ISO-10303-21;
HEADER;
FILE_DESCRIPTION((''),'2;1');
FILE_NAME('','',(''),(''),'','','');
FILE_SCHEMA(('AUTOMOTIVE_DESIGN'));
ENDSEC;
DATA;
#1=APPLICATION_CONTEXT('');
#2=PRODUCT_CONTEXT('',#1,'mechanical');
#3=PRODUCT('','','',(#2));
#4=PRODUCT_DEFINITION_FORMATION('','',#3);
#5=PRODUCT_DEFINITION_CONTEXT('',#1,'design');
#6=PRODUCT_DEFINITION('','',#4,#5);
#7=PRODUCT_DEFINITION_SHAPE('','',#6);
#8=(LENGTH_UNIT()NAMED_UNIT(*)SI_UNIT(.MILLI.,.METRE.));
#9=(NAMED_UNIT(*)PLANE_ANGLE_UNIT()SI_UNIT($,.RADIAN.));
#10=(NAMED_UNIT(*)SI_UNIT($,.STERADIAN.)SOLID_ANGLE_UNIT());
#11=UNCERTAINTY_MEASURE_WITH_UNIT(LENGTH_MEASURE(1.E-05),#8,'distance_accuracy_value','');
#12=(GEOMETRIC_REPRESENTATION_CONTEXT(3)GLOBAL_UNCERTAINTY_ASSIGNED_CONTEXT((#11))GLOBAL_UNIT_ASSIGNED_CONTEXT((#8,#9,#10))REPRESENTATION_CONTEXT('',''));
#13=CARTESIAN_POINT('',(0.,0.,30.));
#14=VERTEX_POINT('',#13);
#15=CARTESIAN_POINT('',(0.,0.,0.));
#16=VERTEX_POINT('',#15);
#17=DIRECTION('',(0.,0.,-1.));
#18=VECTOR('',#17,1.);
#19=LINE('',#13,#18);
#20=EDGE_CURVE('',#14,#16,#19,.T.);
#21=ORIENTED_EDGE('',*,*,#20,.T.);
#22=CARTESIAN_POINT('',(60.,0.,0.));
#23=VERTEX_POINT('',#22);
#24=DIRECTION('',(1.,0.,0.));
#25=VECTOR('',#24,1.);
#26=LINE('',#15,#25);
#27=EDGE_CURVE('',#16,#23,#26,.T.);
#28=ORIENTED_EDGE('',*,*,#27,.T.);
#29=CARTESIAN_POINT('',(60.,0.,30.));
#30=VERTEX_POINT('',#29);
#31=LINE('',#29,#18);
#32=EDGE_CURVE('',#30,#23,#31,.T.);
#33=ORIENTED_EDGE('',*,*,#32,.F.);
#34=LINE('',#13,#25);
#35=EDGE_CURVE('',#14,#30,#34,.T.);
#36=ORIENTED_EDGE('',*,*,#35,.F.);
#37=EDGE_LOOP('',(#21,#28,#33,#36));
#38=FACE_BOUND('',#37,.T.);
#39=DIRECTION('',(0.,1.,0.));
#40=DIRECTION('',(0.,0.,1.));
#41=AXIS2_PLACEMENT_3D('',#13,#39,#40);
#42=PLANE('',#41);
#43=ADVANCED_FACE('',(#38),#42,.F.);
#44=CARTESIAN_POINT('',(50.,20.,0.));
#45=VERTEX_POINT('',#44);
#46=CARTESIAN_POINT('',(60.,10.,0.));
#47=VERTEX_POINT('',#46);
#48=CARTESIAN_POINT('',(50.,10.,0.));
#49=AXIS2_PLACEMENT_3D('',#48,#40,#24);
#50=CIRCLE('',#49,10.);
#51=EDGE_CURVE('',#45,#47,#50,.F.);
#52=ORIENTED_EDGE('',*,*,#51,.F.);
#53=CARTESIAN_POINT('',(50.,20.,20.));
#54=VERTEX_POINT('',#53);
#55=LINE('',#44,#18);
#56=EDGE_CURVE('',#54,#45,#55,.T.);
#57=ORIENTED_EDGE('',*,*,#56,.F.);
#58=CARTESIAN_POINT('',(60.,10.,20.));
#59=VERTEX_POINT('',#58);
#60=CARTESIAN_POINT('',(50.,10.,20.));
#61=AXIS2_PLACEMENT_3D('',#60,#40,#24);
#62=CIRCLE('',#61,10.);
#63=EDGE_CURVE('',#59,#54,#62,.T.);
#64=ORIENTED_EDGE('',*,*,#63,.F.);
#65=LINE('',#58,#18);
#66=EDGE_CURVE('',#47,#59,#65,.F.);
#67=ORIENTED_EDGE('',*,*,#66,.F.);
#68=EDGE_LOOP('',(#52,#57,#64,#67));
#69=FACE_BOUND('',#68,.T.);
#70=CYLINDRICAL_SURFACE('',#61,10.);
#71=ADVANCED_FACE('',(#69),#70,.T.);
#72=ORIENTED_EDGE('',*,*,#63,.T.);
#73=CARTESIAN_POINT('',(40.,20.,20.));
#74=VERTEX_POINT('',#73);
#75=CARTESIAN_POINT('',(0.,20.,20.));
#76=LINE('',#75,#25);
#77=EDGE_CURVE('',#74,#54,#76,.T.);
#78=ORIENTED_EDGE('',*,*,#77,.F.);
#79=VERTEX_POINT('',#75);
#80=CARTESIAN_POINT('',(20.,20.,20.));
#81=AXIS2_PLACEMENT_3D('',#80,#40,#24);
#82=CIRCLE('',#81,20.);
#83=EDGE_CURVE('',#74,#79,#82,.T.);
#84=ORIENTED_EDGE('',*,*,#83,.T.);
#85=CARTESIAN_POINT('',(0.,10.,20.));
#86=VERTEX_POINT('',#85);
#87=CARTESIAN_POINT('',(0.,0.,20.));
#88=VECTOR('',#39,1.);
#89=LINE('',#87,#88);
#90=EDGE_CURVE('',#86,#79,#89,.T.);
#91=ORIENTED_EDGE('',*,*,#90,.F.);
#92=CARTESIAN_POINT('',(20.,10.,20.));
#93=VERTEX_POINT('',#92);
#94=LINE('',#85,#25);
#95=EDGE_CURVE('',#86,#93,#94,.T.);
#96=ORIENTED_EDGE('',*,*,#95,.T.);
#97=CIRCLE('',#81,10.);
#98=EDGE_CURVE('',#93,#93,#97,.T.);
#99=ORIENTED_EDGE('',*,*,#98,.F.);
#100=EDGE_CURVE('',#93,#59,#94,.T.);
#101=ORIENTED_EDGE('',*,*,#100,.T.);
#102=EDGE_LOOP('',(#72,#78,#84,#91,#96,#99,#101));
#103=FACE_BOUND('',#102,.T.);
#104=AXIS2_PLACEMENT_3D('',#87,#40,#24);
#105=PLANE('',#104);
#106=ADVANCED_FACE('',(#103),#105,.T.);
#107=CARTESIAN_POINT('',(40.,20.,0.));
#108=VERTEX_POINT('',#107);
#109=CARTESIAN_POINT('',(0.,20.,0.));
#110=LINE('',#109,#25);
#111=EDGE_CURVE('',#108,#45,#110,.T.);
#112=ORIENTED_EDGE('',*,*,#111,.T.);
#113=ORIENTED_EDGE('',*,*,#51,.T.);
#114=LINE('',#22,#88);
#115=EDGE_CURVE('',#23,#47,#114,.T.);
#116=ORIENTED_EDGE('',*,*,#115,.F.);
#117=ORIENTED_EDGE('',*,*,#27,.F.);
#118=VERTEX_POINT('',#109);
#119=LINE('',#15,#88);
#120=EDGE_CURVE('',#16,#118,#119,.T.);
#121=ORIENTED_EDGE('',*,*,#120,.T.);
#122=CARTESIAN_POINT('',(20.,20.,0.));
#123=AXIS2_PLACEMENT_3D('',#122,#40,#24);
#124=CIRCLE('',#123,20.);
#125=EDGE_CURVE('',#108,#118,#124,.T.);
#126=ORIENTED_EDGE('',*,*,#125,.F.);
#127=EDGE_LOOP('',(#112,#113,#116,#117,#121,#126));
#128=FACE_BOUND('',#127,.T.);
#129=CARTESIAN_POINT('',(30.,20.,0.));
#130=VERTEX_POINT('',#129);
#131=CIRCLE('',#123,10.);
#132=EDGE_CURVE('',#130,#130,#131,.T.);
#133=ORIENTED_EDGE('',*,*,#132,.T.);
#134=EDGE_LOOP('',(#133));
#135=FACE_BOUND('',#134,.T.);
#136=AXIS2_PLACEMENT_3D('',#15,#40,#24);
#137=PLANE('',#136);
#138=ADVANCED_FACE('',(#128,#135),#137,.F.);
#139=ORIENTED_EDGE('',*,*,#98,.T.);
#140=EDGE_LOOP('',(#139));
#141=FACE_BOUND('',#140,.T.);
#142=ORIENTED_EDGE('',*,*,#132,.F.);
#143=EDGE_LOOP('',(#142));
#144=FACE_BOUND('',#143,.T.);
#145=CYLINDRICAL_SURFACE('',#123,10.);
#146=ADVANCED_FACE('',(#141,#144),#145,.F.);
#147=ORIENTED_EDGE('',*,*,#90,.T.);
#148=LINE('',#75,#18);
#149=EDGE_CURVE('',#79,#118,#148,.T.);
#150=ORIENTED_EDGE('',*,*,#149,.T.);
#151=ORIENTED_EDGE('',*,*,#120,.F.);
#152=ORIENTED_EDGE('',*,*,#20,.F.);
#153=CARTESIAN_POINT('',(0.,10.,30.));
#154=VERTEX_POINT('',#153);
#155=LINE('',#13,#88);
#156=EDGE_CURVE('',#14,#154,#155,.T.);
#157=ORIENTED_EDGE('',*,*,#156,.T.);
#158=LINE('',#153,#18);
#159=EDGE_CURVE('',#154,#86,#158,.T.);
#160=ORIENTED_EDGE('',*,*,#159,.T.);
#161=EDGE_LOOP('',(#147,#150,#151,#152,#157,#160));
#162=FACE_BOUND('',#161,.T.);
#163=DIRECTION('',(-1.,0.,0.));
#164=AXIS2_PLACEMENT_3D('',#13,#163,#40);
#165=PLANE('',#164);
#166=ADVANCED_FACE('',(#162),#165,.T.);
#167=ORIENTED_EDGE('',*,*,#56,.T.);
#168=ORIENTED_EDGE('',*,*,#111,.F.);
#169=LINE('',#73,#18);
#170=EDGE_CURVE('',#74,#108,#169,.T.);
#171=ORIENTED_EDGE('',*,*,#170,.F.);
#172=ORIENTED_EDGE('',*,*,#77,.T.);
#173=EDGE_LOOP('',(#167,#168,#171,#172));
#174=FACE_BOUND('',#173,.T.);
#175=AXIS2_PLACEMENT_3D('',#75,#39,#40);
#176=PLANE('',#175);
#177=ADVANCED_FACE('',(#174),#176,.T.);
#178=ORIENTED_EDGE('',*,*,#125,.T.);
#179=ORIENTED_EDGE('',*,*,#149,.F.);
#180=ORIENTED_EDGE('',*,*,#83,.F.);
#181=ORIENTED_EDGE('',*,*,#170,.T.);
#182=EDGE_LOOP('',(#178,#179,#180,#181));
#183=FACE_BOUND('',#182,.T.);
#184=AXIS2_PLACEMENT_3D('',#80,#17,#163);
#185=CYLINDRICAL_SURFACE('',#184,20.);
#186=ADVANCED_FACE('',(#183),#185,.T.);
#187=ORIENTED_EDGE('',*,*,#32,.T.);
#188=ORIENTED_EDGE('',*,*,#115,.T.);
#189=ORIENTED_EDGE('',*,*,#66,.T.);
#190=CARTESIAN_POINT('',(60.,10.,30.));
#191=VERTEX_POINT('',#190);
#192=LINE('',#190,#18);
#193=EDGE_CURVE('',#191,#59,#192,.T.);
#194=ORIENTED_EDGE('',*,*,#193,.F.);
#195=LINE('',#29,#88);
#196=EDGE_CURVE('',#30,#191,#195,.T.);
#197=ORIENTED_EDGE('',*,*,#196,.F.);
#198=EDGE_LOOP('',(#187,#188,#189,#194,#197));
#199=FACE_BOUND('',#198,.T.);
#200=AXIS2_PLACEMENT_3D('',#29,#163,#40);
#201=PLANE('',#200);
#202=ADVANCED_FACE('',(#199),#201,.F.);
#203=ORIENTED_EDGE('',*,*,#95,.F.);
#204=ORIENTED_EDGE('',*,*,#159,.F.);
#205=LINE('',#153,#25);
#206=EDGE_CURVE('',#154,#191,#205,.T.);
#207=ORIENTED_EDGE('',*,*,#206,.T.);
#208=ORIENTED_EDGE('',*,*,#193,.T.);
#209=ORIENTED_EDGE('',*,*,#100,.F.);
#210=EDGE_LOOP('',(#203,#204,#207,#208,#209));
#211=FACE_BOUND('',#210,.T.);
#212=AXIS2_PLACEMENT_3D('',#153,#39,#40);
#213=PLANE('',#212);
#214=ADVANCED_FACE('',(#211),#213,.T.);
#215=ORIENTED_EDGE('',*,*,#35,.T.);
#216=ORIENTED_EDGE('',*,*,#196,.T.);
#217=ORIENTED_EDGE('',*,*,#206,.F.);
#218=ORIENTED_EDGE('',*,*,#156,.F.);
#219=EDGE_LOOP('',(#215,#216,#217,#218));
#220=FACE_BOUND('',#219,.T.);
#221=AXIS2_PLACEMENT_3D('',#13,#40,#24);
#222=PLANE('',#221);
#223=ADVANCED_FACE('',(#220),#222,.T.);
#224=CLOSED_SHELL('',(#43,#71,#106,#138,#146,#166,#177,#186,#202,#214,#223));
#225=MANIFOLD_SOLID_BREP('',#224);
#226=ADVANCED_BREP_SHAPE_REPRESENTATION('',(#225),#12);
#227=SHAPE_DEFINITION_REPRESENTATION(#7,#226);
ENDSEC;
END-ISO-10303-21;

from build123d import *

# Parameters (mm, degrees)
SKETCH_1_W          = 60
SKETCH_1_H          = 10
EXTRUDE_1_DEPTH     = 30
SKETCH_1_3_R        = 5
EXTRUDE_2_DEPTH     = 20
FILLET_1_R          = 10
SKETCH_2_R          = 10
CUT_EXTRUDE_1_DEPTH = 20


with BuildPart() as part:
    # 草圖1 → 填料-伸長1 (new body)
    with BuildSketch(Plane.XY):
        with Locations((30, 5)):
            Rectangle(SKETCH_1_W, SKETCH_1_H)
    extrude(amount=EXTRUDE_1_DEPTH)

    # 草圖1<3> → 填料-伸長2 (add)
    with BuildSketch(Plane.XY):
        with BuildLine():
            Line((0, 20), (0, 10))
            Line((0, 10), (60, 10))
            Line((60, 10), (60, 20))
            Line((60, 20), (40, 20))
            ThreePointArc((40, 20), (20, 40), (0, 20))
        make_face()
        with Locations((20, 20)):
            Circle(SKETCH_1_3_R, mode=Mode.SUBTRACT)
    extrude(amount=EXTRUDE_2_DEPTH)

    # 圓角1
    fillet_1_edges = [part.edges().sort_by_distance(p)[0] for p in [
        (60, 20, 10),
    ]]
    fillet(fillet_1_edges, radius=FILLET_1_R)

    # 草圖2 → 除料-伸長1 (cut)
    with BuildSketch(Plane.XY.offset(20)):
        with Locations((20, 20)):
            Circle(SKETCH_2_R)
    extrude(amount=-CUT_EXTRUDE_1_DEPTH, mode=Mode.SUBTRACT)


solid = part.part
